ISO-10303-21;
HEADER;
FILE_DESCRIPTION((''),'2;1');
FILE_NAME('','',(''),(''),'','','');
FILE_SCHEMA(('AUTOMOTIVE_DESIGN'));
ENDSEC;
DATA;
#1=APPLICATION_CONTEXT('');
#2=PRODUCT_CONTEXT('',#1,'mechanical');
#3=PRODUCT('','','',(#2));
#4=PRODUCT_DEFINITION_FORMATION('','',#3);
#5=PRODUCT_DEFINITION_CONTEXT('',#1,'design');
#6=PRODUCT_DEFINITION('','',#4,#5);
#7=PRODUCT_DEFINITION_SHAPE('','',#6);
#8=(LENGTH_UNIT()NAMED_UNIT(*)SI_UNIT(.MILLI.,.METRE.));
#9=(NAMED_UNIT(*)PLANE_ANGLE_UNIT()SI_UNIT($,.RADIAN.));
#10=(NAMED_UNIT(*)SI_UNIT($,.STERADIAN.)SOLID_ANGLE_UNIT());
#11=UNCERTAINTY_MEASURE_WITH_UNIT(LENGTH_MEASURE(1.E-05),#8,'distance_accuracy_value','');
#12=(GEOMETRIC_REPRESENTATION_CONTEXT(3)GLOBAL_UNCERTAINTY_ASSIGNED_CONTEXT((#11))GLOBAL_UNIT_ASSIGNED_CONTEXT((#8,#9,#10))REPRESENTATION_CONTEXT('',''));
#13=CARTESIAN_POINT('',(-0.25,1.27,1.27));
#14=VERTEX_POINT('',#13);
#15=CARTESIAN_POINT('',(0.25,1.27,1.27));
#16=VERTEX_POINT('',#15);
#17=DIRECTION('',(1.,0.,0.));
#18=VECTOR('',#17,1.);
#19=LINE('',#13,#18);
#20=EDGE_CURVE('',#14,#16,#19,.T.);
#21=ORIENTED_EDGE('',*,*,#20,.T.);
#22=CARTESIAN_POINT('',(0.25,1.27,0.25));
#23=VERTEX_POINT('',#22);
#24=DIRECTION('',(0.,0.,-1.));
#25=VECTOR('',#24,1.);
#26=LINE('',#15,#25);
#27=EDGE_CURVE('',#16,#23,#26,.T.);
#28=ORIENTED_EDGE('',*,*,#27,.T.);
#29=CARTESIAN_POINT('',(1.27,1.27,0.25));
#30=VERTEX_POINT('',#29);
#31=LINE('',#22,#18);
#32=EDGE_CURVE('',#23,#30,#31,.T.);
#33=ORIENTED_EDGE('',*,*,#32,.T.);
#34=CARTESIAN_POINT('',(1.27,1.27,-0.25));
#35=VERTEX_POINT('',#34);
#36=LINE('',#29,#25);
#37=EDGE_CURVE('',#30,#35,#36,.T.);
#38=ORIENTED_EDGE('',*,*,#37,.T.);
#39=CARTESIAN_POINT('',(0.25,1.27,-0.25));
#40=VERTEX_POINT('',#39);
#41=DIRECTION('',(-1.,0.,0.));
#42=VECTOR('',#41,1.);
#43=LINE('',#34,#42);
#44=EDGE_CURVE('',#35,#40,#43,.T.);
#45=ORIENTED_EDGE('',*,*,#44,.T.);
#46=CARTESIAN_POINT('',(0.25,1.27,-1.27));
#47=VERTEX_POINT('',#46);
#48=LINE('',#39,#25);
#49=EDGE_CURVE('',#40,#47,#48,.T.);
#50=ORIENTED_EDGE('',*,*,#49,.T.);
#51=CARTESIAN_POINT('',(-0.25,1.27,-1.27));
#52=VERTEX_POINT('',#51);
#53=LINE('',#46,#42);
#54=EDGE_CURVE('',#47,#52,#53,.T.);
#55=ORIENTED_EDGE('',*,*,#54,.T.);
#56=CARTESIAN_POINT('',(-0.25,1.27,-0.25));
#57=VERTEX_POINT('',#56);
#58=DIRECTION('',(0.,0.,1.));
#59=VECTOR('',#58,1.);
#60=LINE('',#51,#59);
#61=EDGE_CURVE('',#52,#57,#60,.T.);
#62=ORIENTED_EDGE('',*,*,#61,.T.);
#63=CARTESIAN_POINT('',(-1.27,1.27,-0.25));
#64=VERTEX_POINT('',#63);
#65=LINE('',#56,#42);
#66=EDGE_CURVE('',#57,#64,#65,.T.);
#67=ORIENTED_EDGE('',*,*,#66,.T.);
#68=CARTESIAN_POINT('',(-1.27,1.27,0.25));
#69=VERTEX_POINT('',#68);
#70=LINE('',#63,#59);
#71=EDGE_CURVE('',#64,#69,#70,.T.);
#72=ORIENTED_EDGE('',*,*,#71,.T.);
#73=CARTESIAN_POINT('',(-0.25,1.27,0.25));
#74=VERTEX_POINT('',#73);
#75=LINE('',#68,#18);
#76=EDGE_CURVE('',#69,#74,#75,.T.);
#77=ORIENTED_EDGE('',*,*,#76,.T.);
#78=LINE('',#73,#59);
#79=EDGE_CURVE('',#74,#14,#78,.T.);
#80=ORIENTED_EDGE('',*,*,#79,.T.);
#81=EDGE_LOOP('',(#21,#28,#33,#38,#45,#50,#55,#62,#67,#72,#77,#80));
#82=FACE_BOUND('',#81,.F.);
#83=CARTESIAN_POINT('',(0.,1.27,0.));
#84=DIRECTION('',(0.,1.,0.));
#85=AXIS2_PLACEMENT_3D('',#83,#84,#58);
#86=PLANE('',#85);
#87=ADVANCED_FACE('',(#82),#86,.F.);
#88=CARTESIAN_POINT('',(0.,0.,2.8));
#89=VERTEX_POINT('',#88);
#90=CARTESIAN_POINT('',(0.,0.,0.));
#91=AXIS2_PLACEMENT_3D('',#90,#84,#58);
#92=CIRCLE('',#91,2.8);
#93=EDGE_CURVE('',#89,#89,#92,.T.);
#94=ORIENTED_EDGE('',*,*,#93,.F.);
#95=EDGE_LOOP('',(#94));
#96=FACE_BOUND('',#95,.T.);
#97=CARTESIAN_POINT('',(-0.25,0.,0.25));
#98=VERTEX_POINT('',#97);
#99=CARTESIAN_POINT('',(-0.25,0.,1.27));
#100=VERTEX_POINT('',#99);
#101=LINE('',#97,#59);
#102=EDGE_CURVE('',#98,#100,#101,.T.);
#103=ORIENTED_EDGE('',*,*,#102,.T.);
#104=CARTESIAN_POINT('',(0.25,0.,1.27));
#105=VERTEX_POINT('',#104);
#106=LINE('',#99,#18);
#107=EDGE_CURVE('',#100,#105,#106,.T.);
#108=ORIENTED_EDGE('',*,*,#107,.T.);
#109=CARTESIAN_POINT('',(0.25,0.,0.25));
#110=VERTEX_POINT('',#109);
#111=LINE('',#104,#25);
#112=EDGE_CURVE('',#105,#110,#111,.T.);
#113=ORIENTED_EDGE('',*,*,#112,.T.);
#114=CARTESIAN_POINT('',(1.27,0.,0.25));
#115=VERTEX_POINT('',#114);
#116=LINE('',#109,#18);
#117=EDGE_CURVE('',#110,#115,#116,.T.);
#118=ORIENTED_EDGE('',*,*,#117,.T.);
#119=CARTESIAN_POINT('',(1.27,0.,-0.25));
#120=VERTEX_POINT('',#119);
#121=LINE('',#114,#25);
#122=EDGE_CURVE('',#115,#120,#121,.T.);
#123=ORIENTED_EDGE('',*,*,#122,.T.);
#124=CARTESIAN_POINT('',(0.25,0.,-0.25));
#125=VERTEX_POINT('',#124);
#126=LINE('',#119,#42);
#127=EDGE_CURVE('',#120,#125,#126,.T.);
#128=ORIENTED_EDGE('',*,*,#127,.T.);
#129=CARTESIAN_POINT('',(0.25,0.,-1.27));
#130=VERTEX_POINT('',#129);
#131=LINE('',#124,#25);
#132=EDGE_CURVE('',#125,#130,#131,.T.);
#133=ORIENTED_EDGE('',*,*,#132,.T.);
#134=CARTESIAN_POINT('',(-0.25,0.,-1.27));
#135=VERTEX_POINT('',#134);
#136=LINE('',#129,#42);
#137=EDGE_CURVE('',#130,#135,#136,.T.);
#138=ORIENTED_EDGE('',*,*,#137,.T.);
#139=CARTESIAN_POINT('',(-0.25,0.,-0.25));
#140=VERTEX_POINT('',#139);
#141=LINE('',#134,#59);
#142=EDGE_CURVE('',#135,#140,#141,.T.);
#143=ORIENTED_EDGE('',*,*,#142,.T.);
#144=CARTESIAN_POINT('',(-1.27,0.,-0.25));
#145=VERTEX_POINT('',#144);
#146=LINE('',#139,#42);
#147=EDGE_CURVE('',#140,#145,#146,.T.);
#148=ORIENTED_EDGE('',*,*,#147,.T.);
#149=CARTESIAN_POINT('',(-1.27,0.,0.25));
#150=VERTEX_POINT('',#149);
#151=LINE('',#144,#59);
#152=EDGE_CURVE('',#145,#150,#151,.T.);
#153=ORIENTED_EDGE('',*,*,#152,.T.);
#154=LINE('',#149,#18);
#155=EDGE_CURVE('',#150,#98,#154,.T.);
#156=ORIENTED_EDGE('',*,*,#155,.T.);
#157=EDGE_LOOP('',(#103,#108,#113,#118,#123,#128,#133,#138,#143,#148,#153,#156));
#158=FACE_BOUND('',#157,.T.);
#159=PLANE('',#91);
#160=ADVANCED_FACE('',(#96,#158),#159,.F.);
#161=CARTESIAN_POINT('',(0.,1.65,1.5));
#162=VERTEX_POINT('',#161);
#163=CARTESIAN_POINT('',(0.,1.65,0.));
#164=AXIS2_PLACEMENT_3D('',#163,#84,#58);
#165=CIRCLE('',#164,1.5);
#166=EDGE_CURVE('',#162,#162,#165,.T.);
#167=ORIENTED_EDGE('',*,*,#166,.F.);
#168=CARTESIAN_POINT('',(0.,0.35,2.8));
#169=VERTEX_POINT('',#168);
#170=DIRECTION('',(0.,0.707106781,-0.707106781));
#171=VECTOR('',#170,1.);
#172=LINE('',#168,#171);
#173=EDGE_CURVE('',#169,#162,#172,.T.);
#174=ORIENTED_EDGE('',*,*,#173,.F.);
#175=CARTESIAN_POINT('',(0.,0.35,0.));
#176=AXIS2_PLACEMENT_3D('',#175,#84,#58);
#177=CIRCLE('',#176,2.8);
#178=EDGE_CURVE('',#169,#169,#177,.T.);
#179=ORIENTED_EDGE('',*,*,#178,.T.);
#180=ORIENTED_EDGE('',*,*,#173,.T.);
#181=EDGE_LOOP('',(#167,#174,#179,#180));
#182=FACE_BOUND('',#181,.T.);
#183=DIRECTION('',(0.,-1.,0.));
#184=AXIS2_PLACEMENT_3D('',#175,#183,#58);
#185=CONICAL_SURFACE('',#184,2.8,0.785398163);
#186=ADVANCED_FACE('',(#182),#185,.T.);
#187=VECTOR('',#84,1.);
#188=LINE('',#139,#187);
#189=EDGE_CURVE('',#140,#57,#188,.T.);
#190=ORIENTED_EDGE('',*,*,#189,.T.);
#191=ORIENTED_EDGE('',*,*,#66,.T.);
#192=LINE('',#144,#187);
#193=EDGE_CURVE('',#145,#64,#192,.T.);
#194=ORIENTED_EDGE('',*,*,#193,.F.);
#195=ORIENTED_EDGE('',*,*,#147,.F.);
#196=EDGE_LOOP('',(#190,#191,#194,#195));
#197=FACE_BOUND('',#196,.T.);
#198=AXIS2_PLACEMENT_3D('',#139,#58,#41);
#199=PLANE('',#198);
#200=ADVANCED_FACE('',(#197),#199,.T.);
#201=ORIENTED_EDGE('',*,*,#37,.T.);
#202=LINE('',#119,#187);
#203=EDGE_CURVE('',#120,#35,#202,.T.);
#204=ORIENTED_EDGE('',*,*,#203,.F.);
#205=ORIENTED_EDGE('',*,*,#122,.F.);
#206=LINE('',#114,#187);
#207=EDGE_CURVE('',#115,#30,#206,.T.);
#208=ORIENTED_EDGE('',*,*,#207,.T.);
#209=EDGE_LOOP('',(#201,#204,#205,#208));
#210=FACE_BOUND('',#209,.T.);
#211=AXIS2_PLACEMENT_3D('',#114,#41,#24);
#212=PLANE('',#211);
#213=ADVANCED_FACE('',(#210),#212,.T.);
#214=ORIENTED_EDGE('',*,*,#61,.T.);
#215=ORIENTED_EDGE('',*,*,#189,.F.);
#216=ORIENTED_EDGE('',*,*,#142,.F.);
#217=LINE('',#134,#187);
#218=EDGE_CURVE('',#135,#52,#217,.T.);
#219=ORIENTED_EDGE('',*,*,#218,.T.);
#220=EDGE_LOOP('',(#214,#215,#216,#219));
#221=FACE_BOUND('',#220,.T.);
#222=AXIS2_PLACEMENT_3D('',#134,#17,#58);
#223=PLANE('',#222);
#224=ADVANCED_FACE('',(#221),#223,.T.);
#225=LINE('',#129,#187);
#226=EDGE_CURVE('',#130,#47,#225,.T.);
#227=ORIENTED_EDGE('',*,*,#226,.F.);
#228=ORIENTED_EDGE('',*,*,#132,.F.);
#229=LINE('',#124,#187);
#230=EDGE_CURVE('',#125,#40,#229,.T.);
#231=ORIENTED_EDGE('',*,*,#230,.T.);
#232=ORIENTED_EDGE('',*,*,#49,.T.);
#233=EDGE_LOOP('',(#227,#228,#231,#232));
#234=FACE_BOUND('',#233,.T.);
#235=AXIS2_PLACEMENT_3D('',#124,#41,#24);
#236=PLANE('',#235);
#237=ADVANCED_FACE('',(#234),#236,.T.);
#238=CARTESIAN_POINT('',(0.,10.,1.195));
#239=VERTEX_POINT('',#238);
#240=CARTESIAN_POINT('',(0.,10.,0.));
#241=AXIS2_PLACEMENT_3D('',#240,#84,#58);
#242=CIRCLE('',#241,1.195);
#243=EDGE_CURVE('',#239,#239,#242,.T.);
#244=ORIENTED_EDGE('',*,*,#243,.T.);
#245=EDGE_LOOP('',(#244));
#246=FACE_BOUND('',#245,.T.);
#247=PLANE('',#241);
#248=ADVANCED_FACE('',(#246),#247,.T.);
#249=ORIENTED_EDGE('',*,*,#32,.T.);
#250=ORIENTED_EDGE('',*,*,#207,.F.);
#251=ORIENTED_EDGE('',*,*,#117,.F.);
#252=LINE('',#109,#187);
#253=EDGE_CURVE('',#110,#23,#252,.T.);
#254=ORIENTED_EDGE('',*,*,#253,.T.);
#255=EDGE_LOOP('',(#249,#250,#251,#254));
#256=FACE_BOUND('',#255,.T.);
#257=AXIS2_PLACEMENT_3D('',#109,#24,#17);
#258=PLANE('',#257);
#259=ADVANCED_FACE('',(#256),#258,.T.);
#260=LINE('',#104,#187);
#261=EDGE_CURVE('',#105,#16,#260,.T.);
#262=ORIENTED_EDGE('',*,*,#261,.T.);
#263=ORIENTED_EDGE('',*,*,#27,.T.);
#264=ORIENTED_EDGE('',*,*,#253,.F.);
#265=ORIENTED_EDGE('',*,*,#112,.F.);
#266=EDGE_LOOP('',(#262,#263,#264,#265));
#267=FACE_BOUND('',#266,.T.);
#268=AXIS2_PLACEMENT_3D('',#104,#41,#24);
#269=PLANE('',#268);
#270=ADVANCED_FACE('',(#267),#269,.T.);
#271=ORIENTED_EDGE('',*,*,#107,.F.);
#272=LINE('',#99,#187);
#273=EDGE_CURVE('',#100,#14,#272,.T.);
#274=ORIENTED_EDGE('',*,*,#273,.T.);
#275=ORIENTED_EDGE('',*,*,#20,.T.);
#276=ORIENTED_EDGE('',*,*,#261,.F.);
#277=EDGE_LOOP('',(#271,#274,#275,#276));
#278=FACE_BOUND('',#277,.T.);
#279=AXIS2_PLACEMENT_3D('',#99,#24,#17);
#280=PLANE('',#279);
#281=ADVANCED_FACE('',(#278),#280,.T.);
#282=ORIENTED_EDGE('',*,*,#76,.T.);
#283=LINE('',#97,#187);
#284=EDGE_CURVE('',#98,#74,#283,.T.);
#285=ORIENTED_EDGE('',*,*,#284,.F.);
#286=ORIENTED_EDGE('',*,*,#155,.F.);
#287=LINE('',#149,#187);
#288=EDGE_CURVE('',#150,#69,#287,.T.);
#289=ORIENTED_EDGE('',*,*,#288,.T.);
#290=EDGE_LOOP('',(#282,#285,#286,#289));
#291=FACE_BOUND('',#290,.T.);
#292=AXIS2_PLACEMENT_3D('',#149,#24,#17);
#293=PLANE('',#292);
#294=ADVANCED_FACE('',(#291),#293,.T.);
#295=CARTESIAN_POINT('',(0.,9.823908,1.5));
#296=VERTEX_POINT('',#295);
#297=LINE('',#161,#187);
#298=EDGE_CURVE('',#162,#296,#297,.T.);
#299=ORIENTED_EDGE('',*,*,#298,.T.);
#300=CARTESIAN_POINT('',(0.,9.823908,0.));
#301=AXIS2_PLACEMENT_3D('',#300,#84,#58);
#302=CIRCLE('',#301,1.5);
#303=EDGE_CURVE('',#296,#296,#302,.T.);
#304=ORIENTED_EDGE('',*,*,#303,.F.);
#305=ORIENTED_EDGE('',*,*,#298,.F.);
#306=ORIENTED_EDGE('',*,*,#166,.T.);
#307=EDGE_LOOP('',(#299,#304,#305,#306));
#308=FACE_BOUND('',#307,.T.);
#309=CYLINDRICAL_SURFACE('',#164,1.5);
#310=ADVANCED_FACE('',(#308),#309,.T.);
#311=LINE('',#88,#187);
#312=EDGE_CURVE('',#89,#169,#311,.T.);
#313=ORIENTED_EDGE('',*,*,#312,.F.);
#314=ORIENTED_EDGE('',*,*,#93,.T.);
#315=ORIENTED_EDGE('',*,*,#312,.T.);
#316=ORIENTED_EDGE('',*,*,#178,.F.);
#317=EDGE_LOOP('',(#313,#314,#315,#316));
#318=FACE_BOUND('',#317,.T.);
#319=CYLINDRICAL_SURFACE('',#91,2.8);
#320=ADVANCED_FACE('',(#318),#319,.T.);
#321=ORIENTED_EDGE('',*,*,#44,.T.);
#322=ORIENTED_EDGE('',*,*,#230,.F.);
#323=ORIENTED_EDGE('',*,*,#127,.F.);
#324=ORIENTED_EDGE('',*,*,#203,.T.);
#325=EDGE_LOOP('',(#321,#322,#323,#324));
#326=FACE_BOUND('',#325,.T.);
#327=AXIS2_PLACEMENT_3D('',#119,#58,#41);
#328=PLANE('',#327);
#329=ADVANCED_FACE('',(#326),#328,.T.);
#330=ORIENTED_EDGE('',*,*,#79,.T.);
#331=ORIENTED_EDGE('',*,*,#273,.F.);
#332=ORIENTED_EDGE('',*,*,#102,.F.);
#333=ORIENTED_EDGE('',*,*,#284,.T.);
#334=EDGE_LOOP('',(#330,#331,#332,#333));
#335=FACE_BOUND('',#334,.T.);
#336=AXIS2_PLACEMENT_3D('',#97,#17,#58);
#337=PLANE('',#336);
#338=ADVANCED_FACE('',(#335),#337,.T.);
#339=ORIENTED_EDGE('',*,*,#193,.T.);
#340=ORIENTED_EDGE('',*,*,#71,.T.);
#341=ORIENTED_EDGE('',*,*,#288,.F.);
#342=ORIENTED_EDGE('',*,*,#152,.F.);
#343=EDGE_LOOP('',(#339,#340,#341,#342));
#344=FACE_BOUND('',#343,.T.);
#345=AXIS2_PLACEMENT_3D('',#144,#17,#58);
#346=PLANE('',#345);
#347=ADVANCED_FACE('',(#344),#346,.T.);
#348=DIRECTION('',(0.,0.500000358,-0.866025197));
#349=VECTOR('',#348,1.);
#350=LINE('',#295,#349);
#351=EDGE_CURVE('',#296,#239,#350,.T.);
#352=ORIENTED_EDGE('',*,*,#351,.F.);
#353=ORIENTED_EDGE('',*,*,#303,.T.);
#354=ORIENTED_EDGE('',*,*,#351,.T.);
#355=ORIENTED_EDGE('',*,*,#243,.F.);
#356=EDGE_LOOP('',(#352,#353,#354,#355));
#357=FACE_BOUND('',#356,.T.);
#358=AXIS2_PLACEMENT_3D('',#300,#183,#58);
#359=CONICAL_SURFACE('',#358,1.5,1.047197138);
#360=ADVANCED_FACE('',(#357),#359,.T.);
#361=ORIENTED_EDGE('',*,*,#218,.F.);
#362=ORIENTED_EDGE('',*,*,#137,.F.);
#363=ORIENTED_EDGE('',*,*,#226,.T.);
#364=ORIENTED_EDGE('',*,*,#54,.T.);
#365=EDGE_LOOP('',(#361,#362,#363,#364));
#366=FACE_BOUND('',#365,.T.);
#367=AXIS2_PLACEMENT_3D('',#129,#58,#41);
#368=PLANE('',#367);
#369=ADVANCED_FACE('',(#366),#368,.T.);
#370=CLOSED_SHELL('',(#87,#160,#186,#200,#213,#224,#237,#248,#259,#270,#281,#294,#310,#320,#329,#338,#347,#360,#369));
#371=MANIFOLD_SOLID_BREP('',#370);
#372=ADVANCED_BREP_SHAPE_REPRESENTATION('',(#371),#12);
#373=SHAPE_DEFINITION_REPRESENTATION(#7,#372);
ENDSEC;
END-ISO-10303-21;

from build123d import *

# Parameters (mm, degrees)
POCKET_DEPTH = 1.27


with BuildPart() as part:
    # Sketch → Revolution (revolve)
    with BuildSketch(Plane.YZ):
        Polygon((0, 0), (0, 2.8), (0.35, 2.8), (1.65, 1.5), (9.823908, 1.5), (10, 1.195), (10, 0), align=None)
    revolve(axis=Axis((0, 0, 0), (0, 1, 0)))

    # Sketch001 → Pocket (cut)
    with BuildSketch(Plane(origin=(0, 0, 0), x_dir=(0, 0, -1), z_dir=(0, -1, 0))):
        Polygon((-1.27, 0.25), (-0.25, 0.25), (-0.25, 1.27), (0.25, 1.27), (0.25, 0.25), (1.27, 0.25), (1.27, -0.25), (0.25, -0.25), (0.25, -1.27), (-0.25, -1.27), (-0.25, -0.25), (-1.27, -0.25), align=None)
    extrude(amount=-POCKET_DEPTH, mode=Mode.SUBTRACT)


solid = part.part
